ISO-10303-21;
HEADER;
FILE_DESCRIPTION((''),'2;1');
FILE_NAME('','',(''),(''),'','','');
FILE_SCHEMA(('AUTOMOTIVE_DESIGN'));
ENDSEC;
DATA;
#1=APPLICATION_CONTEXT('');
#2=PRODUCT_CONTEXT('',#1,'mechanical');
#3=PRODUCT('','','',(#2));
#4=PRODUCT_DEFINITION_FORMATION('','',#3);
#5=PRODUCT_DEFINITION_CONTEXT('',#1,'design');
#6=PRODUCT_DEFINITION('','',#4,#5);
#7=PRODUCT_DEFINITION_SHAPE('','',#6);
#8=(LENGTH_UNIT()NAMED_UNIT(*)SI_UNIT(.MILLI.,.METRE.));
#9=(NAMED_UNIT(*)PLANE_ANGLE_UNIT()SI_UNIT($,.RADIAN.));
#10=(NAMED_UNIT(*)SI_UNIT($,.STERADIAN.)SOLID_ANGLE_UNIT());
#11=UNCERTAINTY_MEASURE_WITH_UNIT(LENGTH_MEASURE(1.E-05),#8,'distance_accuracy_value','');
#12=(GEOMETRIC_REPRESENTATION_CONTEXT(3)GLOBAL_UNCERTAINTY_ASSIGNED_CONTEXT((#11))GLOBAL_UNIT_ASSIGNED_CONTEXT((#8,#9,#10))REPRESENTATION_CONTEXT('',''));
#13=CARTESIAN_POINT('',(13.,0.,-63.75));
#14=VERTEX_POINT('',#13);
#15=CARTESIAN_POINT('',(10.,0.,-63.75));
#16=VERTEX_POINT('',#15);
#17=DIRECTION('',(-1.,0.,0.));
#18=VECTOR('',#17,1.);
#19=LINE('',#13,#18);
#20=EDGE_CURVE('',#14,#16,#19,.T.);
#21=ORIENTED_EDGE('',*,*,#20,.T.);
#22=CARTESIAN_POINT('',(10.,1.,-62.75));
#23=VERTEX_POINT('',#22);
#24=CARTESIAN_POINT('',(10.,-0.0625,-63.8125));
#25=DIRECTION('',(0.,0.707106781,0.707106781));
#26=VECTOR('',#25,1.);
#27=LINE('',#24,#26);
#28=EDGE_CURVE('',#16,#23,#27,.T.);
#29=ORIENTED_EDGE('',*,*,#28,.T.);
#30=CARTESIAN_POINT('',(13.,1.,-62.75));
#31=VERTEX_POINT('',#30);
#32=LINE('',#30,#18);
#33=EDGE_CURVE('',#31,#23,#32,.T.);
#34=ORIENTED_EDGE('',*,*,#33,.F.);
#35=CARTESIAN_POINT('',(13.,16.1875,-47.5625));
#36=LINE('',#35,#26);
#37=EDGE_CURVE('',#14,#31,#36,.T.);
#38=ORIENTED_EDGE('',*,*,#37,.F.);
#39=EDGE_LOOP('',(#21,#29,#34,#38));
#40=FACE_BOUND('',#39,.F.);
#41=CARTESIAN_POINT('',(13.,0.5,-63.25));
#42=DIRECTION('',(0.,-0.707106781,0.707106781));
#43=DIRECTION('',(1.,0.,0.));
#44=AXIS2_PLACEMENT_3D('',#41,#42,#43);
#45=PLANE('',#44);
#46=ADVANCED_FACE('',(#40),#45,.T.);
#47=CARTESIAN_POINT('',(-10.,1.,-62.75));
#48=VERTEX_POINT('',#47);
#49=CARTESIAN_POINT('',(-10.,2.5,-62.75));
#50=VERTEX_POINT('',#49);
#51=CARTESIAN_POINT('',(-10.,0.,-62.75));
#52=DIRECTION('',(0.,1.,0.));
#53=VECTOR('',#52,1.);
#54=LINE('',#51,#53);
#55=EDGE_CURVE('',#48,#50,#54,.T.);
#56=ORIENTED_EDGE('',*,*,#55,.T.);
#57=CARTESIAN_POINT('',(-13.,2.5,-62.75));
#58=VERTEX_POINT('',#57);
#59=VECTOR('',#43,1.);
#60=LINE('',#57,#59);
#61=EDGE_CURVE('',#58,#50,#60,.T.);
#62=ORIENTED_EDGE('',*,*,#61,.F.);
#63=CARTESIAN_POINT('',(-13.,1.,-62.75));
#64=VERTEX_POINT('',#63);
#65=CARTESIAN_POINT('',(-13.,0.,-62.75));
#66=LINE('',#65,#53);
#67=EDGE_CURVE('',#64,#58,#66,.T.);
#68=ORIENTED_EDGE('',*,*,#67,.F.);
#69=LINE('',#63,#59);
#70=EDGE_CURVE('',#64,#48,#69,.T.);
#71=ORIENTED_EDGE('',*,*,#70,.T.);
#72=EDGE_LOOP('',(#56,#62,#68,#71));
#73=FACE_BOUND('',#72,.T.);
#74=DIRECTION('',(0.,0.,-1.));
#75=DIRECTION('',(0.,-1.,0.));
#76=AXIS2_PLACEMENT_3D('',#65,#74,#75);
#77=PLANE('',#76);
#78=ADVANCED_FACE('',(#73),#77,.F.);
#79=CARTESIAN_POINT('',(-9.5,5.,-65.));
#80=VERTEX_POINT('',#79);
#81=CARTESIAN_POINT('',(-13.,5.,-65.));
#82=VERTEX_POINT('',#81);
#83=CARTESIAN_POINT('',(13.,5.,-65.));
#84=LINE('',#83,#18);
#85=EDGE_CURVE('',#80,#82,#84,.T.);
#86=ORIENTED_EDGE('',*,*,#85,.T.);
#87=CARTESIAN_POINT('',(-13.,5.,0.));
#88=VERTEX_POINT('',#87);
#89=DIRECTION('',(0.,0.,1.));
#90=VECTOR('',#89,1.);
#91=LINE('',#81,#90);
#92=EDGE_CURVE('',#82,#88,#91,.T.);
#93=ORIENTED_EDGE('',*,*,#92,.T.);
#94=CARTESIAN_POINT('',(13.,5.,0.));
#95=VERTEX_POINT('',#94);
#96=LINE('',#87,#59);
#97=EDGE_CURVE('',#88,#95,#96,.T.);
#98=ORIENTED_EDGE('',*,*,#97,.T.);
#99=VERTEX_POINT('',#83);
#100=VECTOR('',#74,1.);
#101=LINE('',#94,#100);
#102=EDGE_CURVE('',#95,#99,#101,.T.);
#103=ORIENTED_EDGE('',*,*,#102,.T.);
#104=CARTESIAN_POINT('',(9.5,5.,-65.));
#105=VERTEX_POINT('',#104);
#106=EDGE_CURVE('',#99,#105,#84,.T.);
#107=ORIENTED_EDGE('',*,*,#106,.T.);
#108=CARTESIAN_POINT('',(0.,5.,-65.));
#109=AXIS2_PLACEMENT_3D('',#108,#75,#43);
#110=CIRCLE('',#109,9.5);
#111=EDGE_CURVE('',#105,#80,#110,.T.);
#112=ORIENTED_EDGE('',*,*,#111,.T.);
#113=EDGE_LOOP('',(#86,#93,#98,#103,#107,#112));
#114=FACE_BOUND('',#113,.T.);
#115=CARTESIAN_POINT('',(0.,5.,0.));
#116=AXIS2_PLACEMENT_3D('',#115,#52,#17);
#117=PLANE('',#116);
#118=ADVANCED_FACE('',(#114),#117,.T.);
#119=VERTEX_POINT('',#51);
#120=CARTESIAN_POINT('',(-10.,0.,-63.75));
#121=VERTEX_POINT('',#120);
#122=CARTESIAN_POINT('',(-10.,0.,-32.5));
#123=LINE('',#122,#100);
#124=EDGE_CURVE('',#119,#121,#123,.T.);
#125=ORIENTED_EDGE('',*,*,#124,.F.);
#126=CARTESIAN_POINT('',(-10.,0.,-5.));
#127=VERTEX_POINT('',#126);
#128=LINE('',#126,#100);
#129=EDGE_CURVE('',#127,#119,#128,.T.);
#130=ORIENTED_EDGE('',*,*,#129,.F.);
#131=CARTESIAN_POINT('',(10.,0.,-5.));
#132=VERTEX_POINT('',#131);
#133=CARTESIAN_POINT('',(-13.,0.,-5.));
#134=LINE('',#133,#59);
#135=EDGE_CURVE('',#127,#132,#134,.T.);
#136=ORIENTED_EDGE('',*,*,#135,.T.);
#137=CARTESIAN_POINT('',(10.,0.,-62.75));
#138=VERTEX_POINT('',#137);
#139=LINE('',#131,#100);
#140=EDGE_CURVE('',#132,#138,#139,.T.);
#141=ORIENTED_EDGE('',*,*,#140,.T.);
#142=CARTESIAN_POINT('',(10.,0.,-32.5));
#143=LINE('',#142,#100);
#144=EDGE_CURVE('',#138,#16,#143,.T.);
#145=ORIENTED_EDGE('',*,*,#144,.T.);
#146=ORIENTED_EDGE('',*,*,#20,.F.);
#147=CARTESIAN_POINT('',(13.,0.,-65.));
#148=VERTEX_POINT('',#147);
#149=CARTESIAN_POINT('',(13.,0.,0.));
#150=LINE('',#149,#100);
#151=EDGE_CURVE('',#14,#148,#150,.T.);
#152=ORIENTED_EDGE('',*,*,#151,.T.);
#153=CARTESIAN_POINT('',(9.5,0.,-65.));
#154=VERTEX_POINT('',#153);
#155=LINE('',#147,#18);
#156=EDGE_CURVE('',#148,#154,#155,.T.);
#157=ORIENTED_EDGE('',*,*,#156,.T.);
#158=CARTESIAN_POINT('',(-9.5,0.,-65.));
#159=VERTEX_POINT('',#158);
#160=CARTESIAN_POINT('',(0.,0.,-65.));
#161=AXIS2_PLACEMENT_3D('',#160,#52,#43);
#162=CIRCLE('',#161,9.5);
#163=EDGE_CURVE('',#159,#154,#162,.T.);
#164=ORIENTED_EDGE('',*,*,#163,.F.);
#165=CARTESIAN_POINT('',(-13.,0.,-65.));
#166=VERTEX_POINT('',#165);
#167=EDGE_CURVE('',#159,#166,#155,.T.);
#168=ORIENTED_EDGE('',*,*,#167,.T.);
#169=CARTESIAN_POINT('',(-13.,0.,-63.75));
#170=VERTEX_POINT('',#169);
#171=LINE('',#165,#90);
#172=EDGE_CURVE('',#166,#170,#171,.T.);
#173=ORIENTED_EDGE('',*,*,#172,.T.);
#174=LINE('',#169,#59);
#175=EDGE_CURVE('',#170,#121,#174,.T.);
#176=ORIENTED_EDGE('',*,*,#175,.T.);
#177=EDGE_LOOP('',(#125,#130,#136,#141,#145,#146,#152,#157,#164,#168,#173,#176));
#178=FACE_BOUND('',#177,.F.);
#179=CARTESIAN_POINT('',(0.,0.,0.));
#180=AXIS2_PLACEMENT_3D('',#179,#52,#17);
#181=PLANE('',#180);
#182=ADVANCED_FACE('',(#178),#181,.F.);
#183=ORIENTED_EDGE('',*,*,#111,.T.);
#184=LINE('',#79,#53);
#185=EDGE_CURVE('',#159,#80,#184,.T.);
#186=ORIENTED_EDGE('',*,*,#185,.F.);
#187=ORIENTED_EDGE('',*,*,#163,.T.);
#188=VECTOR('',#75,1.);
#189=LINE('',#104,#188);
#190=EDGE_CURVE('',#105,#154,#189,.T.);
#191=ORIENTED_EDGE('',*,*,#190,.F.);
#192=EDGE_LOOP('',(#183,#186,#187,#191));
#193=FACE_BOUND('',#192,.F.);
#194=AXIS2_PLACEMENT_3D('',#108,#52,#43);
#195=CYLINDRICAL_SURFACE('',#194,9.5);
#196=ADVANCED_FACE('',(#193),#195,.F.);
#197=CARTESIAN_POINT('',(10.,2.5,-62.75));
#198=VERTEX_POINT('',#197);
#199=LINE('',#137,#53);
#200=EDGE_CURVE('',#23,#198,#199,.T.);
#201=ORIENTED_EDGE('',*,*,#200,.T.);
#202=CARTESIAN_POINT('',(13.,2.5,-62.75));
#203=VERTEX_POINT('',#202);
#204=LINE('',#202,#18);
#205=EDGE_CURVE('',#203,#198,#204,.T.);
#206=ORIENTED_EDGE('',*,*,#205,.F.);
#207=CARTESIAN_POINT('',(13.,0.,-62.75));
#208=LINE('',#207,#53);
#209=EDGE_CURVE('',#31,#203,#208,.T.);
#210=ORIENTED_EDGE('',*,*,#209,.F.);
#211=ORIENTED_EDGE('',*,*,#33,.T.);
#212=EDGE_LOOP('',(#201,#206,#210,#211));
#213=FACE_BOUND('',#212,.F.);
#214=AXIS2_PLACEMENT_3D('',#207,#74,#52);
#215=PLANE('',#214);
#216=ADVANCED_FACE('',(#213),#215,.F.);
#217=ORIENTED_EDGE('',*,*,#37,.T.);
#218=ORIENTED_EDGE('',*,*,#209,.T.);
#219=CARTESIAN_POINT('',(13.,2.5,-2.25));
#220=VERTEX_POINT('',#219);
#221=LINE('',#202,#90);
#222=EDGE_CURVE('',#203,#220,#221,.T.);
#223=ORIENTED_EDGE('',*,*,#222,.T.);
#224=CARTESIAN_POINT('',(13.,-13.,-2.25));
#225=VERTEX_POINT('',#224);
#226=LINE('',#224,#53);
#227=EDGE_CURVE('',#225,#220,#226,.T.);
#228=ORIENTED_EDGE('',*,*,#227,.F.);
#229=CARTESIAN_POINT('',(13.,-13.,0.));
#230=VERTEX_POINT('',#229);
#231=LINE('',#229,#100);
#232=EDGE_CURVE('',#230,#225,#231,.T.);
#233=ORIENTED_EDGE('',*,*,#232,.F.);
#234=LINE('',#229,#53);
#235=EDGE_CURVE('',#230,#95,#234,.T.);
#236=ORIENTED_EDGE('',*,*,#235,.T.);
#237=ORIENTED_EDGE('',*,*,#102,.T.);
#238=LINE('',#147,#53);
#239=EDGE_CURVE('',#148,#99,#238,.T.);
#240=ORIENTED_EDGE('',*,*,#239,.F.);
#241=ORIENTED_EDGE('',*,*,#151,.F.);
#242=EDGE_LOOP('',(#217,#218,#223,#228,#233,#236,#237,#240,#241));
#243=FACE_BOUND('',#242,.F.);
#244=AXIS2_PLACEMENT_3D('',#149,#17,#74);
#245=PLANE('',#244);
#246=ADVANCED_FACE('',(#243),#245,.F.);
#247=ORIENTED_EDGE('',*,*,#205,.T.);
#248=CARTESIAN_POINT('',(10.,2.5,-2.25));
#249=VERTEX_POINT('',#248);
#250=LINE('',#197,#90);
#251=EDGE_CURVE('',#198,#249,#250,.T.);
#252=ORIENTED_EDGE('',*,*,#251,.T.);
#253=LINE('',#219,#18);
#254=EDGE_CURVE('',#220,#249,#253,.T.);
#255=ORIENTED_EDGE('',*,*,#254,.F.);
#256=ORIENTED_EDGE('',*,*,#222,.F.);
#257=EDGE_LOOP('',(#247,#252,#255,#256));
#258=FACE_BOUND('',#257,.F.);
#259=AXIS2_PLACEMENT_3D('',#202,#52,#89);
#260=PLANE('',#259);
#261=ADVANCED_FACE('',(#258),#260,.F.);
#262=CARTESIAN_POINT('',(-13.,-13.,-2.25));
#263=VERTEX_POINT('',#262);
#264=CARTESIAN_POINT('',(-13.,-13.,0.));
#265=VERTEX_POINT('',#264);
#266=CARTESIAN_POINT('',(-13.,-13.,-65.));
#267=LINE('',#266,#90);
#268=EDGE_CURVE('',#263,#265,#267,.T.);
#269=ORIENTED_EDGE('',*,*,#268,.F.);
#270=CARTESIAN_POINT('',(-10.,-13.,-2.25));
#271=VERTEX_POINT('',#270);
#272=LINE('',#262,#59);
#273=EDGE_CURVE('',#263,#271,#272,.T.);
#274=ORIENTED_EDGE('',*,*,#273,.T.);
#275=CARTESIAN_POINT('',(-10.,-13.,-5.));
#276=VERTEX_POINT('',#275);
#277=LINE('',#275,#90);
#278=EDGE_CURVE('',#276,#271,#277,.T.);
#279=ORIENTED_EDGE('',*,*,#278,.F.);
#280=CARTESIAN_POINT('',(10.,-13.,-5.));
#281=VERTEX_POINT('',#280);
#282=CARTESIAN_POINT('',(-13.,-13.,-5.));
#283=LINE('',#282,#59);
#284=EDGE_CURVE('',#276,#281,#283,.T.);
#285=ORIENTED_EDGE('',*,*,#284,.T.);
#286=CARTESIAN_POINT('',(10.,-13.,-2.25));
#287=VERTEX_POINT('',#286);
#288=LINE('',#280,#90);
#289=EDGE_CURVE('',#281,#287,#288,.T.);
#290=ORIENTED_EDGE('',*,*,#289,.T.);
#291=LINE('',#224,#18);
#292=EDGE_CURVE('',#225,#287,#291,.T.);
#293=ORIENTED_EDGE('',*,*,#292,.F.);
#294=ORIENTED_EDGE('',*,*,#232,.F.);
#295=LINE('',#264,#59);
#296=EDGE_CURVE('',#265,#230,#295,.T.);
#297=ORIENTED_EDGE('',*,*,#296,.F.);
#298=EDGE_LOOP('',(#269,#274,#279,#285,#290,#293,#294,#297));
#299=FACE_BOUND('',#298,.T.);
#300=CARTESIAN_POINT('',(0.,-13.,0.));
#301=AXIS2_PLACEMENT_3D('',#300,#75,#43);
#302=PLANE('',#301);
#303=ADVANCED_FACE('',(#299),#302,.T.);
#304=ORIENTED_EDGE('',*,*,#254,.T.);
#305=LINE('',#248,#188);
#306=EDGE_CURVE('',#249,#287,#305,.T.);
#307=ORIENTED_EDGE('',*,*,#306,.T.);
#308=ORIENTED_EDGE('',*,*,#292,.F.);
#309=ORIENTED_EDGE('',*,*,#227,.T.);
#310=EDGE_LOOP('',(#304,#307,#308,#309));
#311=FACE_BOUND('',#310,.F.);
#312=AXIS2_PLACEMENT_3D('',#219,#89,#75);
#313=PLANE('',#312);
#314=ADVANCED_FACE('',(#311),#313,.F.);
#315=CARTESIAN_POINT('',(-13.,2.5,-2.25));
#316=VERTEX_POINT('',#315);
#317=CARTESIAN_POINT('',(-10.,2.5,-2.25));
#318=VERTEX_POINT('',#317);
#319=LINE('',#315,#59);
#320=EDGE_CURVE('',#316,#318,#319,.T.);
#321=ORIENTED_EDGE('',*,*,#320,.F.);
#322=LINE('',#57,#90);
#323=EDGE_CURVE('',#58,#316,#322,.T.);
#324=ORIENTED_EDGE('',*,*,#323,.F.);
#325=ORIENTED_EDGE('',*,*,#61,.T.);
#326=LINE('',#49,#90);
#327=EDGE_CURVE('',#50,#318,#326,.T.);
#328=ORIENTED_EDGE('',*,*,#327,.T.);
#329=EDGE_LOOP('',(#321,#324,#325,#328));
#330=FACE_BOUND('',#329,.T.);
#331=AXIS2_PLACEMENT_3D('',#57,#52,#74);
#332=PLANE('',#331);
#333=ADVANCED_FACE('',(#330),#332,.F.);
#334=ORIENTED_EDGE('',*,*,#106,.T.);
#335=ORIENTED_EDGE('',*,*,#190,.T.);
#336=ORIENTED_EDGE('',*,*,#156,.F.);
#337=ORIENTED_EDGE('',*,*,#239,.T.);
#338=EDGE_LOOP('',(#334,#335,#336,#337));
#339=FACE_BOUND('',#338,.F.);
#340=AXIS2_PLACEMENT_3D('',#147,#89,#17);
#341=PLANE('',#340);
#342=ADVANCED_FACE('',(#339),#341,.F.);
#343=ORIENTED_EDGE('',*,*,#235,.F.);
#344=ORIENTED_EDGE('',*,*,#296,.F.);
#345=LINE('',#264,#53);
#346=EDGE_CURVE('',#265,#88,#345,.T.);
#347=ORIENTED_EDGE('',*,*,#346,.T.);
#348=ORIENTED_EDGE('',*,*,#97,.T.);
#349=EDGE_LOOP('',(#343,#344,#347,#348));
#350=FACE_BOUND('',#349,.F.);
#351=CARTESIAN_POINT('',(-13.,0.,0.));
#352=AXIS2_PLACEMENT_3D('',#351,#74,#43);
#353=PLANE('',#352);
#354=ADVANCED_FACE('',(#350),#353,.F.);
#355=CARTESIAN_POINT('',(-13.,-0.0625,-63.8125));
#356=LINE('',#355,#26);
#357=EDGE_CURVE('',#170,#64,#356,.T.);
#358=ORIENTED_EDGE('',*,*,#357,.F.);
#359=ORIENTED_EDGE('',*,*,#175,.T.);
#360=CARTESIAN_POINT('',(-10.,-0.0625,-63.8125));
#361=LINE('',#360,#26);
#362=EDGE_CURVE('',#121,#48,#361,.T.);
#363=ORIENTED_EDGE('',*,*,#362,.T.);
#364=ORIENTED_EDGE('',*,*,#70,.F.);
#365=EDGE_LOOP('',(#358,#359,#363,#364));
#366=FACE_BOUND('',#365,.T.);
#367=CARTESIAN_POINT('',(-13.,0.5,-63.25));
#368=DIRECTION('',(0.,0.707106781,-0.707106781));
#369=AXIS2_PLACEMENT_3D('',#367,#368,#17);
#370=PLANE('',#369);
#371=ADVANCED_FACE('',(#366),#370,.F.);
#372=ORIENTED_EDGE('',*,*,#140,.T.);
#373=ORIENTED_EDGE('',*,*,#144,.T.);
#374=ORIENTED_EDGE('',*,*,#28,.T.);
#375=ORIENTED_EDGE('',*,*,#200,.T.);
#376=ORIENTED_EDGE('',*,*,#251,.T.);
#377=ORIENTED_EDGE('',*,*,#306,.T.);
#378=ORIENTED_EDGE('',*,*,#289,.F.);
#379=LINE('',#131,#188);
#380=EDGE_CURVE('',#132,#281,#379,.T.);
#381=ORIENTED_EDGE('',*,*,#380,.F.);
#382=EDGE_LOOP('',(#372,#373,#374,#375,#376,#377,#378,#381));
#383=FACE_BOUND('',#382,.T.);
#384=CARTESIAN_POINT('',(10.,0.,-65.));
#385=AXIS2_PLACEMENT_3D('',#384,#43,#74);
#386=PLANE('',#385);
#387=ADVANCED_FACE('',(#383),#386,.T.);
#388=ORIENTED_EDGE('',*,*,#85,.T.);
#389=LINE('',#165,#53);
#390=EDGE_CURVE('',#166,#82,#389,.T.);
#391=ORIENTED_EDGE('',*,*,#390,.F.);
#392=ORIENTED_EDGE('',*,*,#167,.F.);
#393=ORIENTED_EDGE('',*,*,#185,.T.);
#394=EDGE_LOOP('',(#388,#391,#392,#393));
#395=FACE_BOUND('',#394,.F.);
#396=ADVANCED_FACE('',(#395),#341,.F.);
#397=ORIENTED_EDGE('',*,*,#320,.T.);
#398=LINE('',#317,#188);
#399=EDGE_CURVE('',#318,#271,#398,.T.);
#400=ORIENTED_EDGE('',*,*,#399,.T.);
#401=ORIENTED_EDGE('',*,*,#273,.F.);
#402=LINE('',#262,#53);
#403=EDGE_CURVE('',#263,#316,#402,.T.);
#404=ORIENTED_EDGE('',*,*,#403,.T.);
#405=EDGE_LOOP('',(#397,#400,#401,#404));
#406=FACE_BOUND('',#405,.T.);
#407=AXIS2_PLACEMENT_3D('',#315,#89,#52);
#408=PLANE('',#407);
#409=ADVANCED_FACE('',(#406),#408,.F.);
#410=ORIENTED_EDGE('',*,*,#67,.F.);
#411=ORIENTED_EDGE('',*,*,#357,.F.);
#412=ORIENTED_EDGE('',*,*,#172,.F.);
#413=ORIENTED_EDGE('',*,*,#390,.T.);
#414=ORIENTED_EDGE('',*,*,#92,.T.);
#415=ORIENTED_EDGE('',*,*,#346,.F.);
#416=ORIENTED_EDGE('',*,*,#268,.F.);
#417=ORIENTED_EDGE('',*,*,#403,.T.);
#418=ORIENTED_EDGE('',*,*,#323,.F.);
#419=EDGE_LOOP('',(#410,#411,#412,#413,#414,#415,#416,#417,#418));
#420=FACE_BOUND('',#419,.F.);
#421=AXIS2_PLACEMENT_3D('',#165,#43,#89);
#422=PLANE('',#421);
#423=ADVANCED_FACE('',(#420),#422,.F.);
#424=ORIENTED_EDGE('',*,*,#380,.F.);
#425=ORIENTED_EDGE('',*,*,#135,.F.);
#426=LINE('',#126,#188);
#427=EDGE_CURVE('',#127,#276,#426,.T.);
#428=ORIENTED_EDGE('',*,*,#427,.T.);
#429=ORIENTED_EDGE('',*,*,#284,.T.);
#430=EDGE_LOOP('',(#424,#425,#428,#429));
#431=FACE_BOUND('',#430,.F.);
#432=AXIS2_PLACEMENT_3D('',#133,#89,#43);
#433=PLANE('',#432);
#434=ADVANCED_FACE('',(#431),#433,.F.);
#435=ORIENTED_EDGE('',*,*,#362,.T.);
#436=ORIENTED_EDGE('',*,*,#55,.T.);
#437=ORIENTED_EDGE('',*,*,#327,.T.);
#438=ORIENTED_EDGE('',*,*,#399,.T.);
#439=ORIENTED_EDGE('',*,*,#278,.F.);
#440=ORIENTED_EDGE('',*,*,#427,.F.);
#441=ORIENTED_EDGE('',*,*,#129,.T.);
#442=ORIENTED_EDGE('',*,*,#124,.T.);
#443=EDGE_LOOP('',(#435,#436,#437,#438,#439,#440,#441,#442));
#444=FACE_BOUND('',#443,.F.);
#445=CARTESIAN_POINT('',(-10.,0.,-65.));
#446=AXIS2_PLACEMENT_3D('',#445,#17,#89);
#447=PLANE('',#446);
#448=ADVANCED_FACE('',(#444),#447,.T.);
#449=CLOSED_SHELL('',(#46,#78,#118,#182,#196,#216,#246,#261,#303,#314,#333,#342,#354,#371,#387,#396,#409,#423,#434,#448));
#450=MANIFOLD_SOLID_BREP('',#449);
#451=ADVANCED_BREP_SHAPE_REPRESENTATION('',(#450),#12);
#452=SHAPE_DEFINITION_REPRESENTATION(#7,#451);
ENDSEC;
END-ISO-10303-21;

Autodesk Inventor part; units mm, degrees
ref_plane "YZ Plane" through (0, 0, 0) normal (1, 0, 0) x (0, 1, 0)
ref_plane "XZ Plane" through (0, 0, 0) normal (0, 1, 0) x (-1, 0, 0)
ref_plane "XY Plane" through (0, 0, 0) normal (0, 0, 1) x (1, 0, 0)
sketch "Sketch3" plane through (0, 0, 0) normal (0, 1, 0) x (-1, 0, 0)
  line L0 (13, 0) -> (-13, 0)
  line L1 (-13, 0) -> (-13, -65)
  line L2 (-13, -65) -> (13, -65)
  line L3 (13, -65) -> (13, 0)
  point P0 (0, 0)
  dimension "d8" = 26
  dimension "d9" = 13
  dimension "d18" = 65
extrude "Extrusion3" add sketch "Sketch3" along normal blind 5
sketch "Sketch4" plane through (0, 0, 0) normal (0, -1, 0) x (1, 0, 0)
  line L0 (-13, 0) -> (13, 0) projected
  line L1 (-13, -65) -> (-13, 0) projected
  line L2 (13, -65) -> (-13, -65) projected
  line L3 (13, 0) -> (13, -65) projected
  line L4 (13, 0) -> (-13, 0)
  line L5 (-13, 0) -> (-13, -5)
  line L6 (-13, -5) -> (13, -5)
  line L7 (13, -5) -> (13, 0)
  point P0 (0, 0)
  dimension "d14" = 5
extrude "Extrusion4" add sketch "Sketch4" along normal blind 13 contours L0 L3 L6 L1
sketch "Sketch6" plane through (0, 5, 0) normal (0, 1, 0) x (1, 0, 0)
  line L0 (-13, 0) -> (13, 0) projected
  line L1 (13, 0) -> (13, 65) projected
  line L2 (13, 65) -> (-13, 65) projected
  line L3 (-13, 65) -> (-13, 0) projected
  circle A0 centre (0, 65) radius 9.5
  point P0 (0, 0)
  dimension "d25" = 19
  dimension "d26" = 0
extrude "Extrusion6" cut sketch "Sketch6" against normal through all contours A0 L2 | L2 A0
sketch "Sketch7" plane through (13, 0, -65) normal (1, 0, 0) x (0, 0, -1)
  line L0 (-60, 0) -> (0, 0) projected
  line L1 (0, 0) -> (0, 5) projected
  line L2 (-65, 5) -> (0, 5) projected
  line L3 (-65, -13) -> (-65, 5) projected
  line L4 (-60, -13) -> (-65, -13) projected
  line L5 (-60, 0) -> (-60, -13) projected
  line L6 (-60, -13) -> (-62.75, -13)
  line L7 (-62.75, -13) -> (-62.75, 0)
  line L8 (-62.75, 0) -> (-60, 0)
  line L9 (-60, 0) -> (-60, -13)
  line L10 (-62.75, 0) -> (-2.25, 0)
  line L11 (-2.25, 0) -> (-2.25, 2.5)
  line L12 (-2.25, 2.5) -> (-62.75, 2.5)
  line L13 (-62.75, 2.5) -> (-62.75, 0)
  point P0 (-65, 0)
  dimension "d29" = 2.75
  dimension "d30" = 2.5
  dimension "d31" = 2.25
extrude "Extrusion7" cut sketch "Sketch7" against normal blind 3 contours L8 L13 L12 L11 L0 | L5 L4 L7 L8
mirror "Mirror2" about plane through (0, 0, 0) normal (1, 0, 0) of "Extrusion7"
chamfer "Chamfer1" distance 1 angle 45 2 edges at (11.5, 0, -62.75) (-11.5, 0, -62.75)
equation "\"d9\" = 0.5 * d8"
properties part number "Roof Clip"
